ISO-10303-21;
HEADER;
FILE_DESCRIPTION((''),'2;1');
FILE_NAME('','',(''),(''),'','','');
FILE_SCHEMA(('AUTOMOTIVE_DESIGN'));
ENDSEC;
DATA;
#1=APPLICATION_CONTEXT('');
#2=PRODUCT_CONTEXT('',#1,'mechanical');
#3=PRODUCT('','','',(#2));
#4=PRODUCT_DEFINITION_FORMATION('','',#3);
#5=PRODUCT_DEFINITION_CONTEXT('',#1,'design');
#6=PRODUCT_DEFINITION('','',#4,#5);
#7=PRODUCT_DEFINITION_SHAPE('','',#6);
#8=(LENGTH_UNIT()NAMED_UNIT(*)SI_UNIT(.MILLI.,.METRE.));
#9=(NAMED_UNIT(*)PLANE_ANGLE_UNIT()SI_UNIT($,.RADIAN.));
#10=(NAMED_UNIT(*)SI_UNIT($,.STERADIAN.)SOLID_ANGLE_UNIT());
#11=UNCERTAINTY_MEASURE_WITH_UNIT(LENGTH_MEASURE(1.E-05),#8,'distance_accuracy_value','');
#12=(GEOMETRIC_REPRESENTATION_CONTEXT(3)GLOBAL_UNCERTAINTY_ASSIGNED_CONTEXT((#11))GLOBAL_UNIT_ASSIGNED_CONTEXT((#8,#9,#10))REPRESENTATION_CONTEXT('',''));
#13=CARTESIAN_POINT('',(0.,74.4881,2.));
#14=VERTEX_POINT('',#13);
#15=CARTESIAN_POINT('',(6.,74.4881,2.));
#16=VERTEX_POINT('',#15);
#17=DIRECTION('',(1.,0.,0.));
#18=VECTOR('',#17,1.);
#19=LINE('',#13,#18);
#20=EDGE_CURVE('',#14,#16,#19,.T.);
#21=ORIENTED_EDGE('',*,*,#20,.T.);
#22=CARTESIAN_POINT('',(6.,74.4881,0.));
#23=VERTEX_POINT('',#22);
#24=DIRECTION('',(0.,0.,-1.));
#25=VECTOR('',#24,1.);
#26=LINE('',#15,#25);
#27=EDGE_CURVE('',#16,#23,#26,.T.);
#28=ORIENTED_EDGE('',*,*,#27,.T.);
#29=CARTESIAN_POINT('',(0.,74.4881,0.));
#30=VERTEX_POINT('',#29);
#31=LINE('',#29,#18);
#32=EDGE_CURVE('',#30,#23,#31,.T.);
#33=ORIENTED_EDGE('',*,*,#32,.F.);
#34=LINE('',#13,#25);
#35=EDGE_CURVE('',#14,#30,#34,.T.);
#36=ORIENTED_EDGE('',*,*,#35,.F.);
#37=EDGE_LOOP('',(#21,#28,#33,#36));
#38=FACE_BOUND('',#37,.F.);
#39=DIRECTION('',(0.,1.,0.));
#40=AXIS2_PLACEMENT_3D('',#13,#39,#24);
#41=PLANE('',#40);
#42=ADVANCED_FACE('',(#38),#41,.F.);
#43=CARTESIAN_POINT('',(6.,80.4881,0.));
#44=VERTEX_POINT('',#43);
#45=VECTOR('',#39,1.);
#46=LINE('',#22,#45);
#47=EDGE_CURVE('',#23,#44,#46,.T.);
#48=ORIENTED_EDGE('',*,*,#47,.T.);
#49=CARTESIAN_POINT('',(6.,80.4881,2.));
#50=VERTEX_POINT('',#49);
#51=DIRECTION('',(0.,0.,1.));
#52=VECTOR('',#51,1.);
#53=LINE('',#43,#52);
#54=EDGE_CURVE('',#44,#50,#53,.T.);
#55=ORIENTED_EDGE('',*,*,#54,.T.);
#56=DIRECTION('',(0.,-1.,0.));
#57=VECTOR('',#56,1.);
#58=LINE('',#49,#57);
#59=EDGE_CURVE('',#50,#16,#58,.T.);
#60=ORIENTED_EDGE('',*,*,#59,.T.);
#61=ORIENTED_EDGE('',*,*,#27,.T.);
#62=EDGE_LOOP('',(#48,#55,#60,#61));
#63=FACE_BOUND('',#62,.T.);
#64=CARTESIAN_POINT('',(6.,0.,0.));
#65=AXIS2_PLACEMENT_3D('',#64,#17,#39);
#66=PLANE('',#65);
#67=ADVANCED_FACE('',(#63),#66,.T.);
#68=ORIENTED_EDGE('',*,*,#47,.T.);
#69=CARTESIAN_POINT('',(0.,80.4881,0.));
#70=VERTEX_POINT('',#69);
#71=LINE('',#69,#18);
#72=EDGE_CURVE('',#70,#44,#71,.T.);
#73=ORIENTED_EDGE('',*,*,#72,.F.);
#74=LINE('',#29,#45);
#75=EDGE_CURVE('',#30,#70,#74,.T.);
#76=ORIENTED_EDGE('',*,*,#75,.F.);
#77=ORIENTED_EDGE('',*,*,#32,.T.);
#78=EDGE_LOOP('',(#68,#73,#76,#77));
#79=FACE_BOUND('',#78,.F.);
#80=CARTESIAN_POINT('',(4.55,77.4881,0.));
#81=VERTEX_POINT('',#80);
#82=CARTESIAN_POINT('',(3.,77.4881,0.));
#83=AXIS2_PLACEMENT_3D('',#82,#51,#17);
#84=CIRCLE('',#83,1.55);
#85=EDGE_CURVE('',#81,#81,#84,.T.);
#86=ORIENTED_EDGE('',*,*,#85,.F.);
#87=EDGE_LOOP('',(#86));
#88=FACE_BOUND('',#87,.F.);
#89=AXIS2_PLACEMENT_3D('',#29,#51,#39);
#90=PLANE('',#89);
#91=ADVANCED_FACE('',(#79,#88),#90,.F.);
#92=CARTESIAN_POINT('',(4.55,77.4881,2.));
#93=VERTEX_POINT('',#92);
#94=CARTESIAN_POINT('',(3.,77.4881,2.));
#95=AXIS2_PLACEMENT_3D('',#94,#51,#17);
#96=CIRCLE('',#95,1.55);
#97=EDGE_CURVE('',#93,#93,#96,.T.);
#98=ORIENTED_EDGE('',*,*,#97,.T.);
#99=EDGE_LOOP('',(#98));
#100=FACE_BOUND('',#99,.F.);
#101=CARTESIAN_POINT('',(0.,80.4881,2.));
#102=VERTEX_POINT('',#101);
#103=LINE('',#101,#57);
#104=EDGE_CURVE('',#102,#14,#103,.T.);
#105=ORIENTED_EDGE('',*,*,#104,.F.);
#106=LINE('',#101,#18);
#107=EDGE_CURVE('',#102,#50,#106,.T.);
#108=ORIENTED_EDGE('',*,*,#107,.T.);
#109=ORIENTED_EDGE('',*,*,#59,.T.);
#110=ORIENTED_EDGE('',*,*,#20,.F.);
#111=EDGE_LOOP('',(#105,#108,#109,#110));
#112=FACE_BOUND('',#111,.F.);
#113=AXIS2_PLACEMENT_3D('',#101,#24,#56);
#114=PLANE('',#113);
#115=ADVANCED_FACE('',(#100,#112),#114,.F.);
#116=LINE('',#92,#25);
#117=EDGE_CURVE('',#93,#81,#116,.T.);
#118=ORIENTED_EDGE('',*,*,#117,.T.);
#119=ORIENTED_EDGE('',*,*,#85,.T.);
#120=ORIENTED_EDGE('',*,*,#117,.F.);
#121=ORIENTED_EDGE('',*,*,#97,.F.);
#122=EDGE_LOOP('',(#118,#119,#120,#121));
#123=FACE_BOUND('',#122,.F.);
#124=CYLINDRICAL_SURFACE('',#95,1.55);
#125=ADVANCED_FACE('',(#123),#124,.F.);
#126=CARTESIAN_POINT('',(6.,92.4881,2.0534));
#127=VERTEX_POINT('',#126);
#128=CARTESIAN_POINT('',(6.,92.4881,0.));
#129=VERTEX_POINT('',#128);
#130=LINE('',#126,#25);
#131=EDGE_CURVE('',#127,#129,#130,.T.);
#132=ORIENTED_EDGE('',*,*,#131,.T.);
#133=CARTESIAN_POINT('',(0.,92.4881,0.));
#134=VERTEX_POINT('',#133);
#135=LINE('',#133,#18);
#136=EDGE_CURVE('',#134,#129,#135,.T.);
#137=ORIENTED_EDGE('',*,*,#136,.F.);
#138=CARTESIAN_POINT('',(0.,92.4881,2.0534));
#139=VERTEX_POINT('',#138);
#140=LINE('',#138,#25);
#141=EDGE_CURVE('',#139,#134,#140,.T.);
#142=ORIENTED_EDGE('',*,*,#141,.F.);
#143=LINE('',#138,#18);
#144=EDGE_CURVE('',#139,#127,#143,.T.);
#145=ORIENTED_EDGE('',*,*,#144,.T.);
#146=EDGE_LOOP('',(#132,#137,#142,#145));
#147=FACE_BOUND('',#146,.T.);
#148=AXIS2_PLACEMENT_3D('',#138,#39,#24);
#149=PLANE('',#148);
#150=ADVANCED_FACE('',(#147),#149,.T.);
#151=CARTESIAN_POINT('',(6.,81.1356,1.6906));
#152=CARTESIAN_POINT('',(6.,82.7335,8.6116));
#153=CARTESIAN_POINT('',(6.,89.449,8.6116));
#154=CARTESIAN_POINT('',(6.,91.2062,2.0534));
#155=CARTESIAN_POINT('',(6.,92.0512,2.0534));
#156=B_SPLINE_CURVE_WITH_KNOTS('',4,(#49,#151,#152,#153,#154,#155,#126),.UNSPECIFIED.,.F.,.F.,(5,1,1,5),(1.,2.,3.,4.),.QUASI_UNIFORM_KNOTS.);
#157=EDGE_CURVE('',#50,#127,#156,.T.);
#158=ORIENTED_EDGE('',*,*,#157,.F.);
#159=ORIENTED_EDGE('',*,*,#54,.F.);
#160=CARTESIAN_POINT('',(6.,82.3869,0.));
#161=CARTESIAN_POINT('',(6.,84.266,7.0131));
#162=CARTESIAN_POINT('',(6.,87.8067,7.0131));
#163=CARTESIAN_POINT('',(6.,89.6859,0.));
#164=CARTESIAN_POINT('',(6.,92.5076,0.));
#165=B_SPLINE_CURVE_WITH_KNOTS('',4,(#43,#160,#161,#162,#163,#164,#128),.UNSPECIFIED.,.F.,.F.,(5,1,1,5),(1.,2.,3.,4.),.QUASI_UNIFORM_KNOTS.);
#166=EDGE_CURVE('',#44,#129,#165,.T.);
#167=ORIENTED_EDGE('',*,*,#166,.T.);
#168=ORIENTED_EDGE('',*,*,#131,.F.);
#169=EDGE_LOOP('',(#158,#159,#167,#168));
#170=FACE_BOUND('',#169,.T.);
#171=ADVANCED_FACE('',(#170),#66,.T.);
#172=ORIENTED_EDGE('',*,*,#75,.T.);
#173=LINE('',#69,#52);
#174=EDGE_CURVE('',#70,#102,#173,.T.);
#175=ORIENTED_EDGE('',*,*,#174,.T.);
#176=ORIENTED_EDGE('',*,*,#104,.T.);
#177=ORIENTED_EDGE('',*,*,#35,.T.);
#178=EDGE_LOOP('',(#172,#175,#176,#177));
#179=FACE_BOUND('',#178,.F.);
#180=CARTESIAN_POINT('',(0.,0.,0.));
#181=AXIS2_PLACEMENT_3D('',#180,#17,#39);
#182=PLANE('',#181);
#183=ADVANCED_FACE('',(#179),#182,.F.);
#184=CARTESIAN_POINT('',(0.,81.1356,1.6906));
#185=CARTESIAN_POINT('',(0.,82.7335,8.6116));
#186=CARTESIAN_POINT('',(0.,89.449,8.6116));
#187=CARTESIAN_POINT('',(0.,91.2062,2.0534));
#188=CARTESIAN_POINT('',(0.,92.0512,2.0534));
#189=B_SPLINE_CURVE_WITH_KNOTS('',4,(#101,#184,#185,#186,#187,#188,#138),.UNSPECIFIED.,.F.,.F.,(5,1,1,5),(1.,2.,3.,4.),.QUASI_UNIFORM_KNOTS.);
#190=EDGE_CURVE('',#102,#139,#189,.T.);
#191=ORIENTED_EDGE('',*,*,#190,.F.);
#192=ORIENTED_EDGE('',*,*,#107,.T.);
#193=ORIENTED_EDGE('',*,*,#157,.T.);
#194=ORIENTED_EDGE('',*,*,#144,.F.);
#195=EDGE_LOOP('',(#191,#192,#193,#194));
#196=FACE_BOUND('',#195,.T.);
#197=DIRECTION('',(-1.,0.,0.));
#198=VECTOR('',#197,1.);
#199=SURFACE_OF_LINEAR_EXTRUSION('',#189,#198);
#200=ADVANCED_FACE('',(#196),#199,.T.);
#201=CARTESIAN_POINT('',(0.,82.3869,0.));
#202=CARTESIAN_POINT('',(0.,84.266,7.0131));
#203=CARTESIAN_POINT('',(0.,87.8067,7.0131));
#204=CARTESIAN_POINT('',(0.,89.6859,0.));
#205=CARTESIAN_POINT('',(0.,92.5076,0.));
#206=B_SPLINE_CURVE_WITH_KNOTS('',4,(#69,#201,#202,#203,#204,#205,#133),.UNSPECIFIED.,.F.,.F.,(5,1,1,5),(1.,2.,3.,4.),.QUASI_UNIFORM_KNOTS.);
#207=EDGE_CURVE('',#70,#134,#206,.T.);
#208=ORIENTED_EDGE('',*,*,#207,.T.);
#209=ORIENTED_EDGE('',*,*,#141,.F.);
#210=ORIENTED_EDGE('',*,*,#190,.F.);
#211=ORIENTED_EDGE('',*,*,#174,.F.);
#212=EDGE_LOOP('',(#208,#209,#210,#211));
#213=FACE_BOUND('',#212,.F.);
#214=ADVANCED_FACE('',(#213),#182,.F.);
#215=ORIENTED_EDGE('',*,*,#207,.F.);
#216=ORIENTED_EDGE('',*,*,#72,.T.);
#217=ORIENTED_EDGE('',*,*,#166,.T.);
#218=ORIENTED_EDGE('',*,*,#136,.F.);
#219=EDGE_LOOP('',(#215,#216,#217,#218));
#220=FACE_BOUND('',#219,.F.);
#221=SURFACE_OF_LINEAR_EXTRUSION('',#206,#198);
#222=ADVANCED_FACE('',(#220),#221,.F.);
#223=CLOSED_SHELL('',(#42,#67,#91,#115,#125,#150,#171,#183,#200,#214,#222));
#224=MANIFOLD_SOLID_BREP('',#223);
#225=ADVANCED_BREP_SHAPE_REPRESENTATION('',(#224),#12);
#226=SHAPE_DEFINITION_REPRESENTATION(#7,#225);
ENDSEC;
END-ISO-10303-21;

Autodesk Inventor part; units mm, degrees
ref_plane "YZ Plane" through (0, 0, 0) normal (1, 0, 0) x (0, 1, 0)
ref_plane "XZ Plane" through (0, 0, 0) normal (0, 1, 0) x (-1, 0, 0)
ref_plane "XY Plane" through (0, 0, 0) normal (0, 0, 1) x (1, 0, 0)
sketch "Sketch1" plane through (0, 0, 0) normal (1, 0, 0) x (0, 1, 0)
  line L0 (74.4881, 0) -> (80.4881, 0)
  line L1 (80.4881, 0) -> (80.4881, 2)
  line L2 (80.4881, 2) -> (74.4881, 2)
  line L3 (74.4881, 2) -> (74.4881, 0)
  line L4 (80.4881, 0) -> (82.3869, 0) construction
  line L5 (82.3869, 0) -> (84.266, 7.0131) construction
  line L6 (84.266, 7.0131) -> (87.8067, 7.0131) construction
  line L7 (87.8067, 7.0131) -> (89.6859, 0) construction
  line L8 (89.6859, 0) -> (92.5076, 0) construction
  line L9 (92.5076, 0) -> (92.4881, 0) construction
  spline S0 degree 4 poles (80.4881, 0) (82.3869, 0) (84.266, 7.0131) (87.8067, 7.0131) (89.6859, 0) (92.5076, 0) (92.4881, 0) knots 1 1 1 1 1 2 3 4 4 4 4 4
  line L10 (80.4881, 2) -> (81.1356, 1.6906) construction
  line L11 (81.1356, 1.6906) -> (82.7335, 8.6116) construction
  line L12 (82.7335, 8.6116) -> (89.449, 8.6116) construction
  line L13 (89.449, 8.6116) -> (91.2062, 2.0534) construction
  line L14 (91.2062, 2.0534) -> (92.0512, 2.0534) construction
  line L15 (92.0512, 2.0534) -> (92.4881, 2.0534) construction
  spline S1 degree 4 poles (80.4881, 2) (81.1356, 1.6906) (82.7335, 8.6116) (89.449, 8.6116) (91.2062, 2.0534) (92.0512, 2.0534) (92.4881, 2.0534) knots 1 1 1 1 1 2 3 4 4 4 4 4
  line L16 (92.4881, 2.0534) -> (92.4881, 0)
  point P0 (0, 0)
  dimension "d0" = 6
  dimension "d1" = 2
  dimension "d2" = 0
  dimension "d8" = 12
  dimension "d9" = 0
  dimension "d10" = 2
  dimension "d11" = 2
  dimension "d12" = 15
  dimension "d13" = 165
extrude "Extrusion1" add sketch "Sketch1" along normal blind 6
sketch "Sketch2" plane through (0, 74.4881, 2) normal (0, 0, 1) x (1, 0, 0)
  line L0 (0, 6) -> (0, 0) projected
  line L1 (0, 0) -> (6, 0) projected
  line L2 (6, 6) -> (6, 0) projected
  line L3 (0, 6) -> (6, 6) projected
  circle A0 centre (3, 3) radius 1.55
  point P0 (0, -74.4881)
  dimension "d5" = 3.1
extrude "Extrusion2" cut sketch "Sketch2" against normal blind 6 contours A0
properties part number "20_Cube_Insert_Z-Focus_Sampleclamp"
